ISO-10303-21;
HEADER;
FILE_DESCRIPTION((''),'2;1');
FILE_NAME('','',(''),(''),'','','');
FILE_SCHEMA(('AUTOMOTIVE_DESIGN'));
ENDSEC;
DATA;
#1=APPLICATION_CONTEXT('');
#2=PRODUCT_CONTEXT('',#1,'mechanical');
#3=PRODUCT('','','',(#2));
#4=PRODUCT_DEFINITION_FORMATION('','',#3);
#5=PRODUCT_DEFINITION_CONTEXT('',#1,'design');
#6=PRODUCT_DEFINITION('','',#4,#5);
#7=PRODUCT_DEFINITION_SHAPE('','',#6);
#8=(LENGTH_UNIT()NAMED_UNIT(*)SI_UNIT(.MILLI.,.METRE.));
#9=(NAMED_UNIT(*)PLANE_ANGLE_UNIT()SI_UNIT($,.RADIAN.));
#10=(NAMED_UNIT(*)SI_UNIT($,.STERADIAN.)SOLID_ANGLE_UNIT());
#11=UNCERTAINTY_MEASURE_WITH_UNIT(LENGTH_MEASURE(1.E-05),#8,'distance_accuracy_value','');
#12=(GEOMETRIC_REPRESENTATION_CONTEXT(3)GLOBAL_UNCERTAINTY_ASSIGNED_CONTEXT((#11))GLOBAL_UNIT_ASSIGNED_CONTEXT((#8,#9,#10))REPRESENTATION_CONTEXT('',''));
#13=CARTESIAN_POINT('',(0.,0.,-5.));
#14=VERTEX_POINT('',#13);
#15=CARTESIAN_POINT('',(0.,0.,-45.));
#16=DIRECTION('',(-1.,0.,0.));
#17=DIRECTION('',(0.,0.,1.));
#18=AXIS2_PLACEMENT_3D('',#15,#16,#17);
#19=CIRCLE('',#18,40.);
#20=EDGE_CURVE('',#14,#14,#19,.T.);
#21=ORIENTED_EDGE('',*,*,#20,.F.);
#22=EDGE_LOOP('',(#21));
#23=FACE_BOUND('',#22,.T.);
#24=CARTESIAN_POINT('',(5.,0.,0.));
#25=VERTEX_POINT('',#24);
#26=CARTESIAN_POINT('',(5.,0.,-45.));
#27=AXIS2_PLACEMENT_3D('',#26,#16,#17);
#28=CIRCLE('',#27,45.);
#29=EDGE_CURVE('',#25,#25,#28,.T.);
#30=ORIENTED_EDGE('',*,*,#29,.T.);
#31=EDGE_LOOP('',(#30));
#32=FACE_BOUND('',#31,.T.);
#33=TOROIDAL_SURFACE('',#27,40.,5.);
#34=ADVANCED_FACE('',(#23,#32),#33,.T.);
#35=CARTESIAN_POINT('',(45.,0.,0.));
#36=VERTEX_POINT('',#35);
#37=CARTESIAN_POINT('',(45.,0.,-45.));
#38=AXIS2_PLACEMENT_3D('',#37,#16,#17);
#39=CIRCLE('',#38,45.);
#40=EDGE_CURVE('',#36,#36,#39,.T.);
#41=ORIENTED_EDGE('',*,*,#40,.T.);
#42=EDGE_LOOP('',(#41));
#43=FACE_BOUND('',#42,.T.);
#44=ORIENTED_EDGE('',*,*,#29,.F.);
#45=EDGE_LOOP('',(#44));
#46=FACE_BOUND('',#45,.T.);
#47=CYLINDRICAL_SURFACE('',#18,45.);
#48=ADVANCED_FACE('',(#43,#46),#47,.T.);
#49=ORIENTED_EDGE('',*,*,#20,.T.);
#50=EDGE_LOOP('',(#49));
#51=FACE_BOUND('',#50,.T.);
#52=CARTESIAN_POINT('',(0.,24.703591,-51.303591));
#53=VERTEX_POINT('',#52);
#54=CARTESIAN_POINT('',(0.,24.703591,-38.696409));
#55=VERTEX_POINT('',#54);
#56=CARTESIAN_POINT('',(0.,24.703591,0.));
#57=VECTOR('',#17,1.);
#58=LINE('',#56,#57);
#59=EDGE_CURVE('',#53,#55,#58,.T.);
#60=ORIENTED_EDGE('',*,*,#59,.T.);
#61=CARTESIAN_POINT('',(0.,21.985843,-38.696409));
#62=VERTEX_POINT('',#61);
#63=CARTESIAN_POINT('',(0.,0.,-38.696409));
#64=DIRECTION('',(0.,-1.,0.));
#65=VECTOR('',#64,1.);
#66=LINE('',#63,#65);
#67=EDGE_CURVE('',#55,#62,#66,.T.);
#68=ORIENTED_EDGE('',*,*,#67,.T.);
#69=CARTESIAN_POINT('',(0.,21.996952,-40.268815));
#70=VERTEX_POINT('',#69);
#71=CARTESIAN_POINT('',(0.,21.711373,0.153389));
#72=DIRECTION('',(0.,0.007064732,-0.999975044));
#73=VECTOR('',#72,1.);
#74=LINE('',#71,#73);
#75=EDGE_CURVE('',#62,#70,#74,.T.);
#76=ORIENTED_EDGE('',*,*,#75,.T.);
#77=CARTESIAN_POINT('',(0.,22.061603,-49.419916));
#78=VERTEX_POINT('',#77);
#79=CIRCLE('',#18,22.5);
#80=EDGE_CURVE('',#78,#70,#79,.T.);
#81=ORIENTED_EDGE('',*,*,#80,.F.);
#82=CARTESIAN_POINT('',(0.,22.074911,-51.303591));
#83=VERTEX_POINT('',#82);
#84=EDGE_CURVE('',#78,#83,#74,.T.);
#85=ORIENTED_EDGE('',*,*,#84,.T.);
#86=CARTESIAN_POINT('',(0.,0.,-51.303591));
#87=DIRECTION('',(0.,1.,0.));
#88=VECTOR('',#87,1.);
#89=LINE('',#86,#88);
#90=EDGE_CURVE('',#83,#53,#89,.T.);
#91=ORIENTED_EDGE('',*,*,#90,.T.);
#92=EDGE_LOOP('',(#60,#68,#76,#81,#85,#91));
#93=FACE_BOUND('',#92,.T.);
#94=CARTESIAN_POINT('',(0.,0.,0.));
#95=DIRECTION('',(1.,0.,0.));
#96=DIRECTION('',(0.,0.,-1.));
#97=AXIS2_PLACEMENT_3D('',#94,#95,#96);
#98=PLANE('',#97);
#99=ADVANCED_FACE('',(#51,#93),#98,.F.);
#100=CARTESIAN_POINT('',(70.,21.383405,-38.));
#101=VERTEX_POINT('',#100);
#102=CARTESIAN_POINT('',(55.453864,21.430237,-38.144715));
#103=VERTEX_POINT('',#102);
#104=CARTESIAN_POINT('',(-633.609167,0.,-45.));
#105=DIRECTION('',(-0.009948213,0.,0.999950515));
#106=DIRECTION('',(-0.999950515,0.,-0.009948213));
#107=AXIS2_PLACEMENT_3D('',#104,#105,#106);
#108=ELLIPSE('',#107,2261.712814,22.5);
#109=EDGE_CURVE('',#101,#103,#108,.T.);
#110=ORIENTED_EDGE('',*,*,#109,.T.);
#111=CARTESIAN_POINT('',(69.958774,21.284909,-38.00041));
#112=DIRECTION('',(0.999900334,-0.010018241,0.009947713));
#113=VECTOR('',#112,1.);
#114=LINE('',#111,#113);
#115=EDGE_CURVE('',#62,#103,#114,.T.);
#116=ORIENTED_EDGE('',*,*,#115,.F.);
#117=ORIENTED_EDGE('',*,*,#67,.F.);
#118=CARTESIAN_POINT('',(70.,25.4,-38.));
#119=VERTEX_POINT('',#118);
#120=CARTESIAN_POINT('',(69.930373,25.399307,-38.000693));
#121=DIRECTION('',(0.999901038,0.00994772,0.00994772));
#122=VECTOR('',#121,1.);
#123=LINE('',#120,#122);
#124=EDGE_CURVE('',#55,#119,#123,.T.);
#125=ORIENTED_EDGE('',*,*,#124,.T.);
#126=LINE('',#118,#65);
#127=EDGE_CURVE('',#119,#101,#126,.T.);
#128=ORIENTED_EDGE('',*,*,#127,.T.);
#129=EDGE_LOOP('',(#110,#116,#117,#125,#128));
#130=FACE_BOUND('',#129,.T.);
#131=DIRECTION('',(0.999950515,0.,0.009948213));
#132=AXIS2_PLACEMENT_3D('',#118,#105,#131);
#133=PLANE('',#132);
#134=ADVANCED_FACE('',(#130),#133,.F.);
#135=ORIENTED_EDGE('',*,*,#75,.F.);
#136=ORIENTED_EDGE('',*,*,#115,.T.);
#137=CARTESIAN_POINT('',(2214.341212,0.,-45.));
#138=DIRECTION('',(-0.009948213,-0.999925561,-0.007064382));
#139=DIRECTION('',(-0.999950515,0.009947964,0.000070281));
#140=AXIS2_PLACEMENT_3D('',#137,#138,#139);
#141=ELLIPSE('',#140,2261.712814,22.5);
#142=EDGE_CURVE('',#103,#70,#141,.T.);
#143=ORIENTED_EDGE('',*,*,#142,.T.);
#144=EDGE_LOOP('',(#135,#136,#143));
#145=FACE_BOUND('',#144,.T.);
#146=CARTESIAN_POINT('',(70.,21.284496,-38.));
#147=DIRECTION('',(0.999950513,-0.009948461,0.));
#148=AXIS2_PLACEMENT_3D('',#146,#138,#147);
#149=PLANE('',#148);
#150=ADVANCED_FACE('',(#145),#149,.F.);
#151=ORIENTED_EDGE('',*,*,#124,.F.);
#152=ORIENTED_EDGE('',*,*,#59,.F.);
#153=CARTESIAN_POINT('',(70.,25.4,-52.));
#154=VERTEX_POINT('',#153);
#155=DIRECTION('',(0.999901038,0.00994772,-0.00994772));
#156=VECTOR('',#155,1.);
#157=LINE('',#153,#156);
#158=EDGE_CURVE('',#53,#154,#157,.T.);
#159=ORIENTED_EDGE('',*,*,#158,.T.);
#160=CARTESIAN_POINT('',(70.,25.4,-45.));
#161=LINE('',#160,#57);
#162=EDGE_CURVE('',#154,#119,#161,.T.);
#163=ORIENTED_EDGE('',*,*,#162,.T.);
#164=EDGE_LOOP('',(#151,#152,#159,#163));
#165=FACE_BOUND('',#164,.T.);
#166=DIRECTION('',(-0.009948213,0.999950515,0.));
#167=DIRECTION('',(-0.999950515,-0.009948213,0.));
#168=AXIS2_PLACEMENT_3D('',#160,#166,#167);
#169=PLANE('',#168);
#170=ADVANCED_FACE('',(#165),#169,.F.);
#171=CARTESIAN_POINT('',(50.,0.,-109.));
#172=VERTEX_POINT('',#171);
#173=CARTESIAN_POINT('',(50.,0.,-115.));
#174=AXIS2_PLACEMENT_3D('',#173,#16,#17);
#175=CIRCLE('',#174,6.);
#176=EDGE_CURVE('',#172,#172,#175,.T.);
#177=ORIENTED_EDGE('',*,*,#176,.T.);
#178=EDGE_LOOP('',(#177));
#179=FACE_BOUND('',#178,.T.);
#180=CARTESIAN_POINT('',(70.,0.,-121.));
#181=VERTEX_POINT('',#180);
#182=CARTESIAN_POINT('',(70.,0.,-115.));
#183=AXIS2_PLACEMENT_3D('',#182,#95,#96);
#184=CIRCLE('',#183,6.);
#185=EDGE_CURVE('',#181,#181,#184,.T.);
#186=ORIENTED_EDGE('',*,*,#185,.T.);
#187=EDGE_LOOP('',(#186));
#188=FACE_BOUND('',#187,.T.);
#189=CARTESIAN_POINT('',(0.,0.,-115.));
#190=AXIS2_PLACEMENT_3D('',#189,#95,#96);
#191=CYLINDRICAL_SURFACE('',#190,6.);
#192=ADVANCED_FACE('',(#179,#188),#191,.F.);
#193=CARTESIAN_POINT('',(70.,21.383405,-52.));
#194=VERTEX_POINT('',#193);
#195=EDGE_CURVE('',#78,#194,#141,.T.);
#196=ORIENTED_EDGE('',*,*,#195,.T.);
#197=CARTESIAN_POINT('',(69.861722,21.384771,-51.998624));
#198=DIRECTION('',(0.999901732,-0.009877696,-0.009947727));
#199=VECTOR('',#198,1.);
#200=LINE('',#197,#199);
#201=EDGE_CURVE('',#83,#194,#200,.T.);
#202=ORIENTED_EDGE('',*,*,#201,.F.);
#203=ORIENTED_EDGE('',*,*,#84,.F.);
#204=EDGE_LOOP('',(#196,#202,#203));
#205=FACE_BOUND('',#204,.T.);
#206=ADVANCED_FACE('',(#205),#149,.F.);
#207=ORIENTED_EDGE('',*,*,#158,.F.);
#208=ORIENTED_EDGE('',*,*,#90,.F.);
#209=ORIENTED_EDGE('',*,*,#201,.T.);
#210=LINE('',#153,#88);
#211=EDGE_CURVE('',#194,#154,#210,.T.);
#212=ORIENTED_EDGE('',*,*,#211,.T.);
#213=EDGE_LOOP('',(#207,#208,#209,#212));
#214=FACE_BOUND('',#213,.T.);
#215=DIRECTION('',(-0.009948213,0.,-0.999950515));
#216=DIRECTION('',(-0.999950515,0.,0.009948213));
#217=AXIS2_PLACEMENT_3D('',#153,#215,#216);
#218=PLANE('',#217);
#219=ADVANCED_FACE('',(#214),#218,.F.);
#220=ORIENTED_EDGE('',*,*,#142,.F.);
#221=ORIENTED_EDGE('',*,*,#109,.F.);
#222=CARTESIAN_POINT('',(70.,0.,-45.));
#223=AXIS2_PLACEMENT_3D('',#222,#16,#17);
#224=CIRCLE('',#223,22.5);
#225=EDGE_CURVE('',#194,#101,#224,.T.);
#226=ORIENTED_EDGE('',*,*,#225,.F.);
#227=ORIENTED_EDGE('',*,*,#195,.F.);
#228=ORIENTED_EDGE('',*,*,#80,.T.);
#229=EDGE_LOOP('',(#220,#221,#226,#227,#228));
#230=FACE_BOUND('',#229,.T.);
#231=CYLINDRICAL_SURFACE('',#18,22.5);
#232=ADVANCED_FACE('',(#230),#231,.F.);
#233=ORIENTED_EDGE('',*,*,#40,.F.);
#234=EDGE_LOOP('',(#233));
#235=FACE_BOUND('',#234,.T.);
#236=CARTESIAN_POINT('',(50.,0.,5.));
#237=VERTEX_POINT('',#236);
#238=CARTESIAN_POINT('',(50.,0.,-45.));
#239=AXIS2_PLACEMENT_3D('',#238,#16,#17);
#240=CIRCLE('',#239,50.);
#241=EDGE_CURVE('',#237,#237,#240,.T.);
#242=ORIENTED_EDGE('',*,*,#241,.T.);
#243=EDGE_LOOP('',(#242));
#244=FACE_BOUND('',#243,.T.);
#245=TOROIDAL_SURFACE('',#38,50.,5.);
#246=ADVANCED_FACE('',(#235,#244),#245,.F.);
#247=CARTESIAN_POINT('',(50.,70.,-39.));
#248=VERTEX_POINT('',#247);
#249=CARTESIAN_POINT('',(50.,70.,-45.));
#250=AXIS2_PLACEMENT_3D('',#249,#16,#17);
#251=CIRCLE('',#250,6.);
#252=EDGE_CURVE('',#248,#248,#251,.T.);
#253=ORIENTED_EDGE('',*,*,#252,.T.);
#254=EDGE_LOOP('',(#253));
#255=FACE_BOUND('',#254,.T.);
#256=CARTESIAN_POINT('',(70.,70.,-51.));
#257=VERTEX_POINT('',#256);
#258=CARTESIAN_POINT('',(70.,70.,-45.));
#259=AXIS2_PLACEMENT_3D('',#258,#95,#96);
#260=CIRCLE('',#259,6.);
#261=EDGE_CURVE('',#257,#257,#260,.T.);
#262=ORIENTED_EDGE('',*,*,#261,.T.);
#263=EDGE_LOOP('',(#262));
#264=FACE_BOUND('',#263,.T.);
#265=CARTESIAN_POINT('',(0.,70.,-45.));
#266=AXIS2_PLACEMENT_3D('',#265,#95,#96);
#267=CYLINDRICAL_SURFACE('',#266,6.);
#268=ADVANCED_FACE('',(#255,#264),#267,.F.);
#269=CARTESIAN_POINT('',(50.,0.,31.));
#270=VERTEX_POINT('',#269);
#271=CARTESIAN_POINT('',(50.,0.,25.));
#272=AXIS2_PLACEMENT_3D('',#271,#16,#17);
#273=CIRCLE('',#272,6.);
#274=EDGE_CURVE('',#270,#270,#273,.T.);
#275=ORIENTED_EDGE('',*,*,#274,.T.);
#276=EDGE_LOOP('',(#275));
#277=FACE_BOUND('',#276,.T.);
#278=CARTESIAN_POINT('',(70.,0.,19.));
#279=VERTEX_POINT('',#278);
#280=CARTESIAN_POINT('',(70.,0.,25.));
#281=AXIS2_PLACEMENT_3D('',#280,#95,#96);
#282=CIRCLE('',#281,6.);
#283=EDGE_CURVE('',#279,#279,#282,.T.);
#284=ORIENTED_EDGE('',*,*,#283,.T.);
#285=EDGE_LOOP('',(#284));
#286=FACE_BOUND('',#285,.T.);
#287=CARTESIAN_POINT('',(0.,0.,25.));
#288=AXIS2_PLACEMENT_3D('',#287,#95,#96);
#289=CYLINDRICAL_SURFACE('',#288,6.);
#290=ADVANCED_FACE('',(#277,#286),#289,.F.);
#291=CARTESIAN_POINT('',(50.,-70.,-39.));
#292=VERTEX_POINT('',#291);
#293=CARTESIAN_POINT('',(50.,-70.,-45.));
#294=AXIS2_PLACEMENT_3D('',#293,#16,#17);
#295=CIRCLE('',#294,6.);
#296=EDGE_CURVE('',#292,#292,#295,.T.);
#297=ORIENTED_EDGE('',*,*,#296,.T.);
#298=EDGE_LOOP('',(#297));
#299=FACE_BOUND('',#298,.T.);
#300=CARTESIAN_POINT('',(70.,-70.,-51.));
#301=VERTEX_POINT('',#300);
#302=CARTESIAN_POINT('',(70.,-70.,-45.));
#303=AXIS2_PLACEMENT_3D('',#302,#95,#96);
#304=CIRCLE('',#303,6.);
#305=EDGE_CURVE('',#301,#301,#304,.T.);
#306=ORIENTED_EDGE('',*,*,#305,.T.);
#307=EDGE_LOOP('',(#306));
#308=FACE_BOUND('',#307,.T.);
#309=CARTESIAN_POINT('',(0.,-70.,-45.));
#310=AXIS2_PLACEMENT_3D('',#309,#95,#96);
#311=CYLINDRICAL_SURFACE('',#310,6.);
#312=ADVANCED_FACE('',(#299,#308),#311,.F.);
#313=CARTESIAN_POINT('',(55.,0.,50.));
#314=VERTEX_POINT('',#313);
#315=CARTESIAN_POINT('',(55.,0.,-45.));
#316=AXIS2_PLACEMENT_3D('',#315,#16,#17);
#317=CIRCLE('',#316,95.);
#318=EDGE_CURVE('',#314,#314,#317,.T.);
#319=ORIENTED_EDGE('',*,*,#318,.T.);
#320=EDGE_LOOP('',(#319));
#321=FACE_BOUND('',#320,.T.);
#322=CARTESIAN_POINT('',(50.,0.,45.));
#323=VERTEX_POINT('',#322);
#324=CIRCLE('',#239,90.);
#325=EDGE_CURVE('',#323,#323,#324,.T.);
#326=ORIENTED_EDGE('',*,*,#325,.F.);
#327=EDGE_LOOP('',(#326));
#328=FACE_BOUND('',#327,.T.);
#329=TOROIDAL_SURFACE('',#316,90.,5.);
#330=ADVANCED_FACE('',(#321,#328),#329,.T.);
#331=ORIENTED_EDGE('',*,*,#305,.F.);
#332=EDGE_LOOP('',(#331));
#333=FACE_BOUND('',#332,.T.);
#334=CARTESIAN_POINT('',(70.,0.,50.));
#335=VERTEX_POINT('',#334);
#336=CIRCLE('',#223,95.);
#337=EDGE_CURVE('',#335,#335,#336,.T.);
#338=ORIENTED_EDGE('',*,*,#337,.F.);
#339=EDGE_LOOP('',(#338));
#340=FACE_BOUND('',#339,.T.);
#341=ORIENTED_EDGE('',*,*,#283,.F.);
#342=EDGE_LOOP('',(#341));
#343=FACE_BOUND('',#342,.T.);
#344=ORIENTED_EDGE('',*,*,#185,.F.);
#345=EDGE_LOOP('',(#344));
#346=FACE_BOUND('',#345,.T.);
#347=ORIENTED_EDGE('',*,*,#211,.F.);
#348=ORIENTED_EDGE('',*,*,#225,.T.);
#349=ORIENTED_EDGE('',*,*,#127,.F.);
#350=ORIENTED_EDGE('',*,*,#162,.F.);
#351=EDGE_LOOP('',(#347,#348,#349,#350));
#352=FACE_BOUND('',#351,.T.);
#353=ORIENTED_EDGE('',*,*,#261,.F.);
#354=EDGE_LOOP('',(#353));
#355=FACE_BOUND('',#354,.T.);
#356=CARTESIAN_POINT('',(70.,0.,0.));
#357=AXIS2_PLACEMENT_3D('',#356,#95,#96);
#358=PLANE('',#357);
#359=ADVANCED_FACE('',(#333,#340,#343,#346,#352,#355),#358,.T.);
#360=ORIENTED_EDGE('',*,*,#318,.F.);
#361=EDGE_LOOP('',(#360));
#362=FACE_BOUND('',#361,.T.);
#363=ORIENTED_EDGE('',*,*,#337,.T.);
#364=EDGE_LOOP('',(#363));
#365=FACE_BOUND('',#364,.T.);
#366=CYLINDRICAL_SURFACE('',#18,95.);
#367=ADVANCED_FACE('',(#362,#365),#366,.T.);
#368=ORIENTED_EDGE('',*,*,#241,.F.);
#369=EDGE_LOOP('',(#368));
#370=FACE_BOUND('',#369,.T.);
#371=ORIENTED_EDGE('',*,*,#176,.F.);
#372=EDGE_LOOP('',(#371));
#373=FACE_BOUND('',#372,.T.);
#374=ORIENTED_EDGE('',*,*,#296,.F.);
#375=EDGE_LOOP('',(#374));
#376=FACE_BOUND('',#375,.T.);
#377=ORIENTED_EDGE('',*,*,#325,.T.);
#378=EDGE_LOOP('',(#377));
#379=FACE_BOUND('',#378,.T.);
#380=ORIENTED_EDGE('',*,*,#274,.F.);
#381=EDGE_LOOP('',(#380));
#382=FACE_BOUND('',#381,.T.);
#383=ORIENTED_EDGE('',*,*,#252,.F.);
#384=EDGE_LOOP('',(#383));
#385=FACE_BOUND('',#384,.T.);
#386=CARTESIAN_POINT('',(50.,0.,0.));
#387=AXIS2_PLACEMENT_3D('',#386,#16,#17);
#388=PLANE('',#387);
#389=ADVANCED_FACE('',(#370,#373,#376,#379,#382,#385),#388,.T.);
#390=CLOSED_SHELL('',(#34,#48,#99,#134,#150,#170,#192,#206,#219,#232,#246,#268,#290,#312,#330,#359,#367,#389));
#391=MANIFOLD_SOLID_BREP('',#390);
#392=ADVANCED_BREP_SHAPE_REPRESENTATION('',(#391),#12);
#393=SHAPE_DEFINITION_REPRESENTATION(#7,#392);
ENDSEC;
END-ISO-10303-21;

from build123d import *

# Parameters (mm, degrees)
SKETCH10_R         = 6
CUT_EXTRUDE2_DEPTH = 184.098334236
CUT_EXTRUDE4_DEPTH = 184.098334236
CUT_EXTRUDE4_DRAFT = -0.57


with BuildPart() as part:
    # Sketch2 → Revolve1 (revolve)
    with BuildSketch(Plane(origin=(0, 0, 0), x_dir=(1, 0, 0), z_dir=(0, 1, 0))):
        with BuildLine():
            Line((0, 22.5), (0, 5))
            ThreePointArc((0, 5), (1.464466094, 1.464466094), (5, 0))
            Line((5, 0), (45, 0))
            ThreePointArc((45, 0), (48.535533906, -1.464466094), (50, -5))
            Line((50, -5), (50, -45))
            ThreePointArc((50, -45), (51.464466094, -48.535533906), (55, -50))
            Line((55, -50), (70, -50))
            Line((70, -50), (70, 22.5))
            Line((70, 22.5), (0, 22.5))
        make_face()
    revolve(axis=Axis((0, 0, -45), (1, 0, 0)))

    # Sketch10 → Cut-Extrude2 (cut, through all)
    with BuildSketch(Plane(origin=(70, 0, 0), x_dir=(0, 0, -1), z_dir=(1, 0, 0))):
        with Locations((45, -70)):
            Circle(SKETCH10_R)
        with Locations((-25, 0)):
            Circle(SKETCH10_R)
        with Locations((45, 70)):
            Circle(SKETCH10_R)
        with Locations((115, 0)):
            Circle(SKETCH10_R)
    extrude(amount=-CUT_EXTRUDE2_DEPTH, mode=Mode.SUBTRACT)


with BuildPart() as cut_extrude4_tool:
    # Sketch11 → Cut-Extrude4 (with draft: the straight prism first)
    with BuildSketch(Plane(origin=(70, 0, 0), x_dir=(0, 0, -1), z_dir=(1, 0, 0))):
        Polygon((38, 25.4), (38, 21.38340478), (38, 21.284496071), (52, 21.38340478), (52, 25.4), (45, 25.4), align=None)
    extrude(amount=-CUT_EXTRUDE4_DEPTH)
    # Cut-Extrude4: the draft: its side faces are tilted about the plane it starts from
    cut_extrude4_sides = [cut_extrude4_tool.faces().sort_by_distance(p)[0] for p in [
        (-22.049167118, 23.342248035, -38),
        (-22.049167118, 23.39170239, -52),
        (-22.049167118, 21.333950426, -45),
        (-22.049167118, 25.4, -45),
    ]]
    draft(cut_extrude4_sides, Plane(origin=(70, 0, 0), x_dir=(0, 0, -1), z_dir=(1, 0, 0)), CUT_EXTRUDE4_DRAFT)


with BuildPart() as part_1:
    add(part.part)

    # Cut-Extrude4: cut by cut_extrude4_tool
    add(cut_extrude4_tool.part, mode=Mode.SUBTRACT)


solid = part_1.part
